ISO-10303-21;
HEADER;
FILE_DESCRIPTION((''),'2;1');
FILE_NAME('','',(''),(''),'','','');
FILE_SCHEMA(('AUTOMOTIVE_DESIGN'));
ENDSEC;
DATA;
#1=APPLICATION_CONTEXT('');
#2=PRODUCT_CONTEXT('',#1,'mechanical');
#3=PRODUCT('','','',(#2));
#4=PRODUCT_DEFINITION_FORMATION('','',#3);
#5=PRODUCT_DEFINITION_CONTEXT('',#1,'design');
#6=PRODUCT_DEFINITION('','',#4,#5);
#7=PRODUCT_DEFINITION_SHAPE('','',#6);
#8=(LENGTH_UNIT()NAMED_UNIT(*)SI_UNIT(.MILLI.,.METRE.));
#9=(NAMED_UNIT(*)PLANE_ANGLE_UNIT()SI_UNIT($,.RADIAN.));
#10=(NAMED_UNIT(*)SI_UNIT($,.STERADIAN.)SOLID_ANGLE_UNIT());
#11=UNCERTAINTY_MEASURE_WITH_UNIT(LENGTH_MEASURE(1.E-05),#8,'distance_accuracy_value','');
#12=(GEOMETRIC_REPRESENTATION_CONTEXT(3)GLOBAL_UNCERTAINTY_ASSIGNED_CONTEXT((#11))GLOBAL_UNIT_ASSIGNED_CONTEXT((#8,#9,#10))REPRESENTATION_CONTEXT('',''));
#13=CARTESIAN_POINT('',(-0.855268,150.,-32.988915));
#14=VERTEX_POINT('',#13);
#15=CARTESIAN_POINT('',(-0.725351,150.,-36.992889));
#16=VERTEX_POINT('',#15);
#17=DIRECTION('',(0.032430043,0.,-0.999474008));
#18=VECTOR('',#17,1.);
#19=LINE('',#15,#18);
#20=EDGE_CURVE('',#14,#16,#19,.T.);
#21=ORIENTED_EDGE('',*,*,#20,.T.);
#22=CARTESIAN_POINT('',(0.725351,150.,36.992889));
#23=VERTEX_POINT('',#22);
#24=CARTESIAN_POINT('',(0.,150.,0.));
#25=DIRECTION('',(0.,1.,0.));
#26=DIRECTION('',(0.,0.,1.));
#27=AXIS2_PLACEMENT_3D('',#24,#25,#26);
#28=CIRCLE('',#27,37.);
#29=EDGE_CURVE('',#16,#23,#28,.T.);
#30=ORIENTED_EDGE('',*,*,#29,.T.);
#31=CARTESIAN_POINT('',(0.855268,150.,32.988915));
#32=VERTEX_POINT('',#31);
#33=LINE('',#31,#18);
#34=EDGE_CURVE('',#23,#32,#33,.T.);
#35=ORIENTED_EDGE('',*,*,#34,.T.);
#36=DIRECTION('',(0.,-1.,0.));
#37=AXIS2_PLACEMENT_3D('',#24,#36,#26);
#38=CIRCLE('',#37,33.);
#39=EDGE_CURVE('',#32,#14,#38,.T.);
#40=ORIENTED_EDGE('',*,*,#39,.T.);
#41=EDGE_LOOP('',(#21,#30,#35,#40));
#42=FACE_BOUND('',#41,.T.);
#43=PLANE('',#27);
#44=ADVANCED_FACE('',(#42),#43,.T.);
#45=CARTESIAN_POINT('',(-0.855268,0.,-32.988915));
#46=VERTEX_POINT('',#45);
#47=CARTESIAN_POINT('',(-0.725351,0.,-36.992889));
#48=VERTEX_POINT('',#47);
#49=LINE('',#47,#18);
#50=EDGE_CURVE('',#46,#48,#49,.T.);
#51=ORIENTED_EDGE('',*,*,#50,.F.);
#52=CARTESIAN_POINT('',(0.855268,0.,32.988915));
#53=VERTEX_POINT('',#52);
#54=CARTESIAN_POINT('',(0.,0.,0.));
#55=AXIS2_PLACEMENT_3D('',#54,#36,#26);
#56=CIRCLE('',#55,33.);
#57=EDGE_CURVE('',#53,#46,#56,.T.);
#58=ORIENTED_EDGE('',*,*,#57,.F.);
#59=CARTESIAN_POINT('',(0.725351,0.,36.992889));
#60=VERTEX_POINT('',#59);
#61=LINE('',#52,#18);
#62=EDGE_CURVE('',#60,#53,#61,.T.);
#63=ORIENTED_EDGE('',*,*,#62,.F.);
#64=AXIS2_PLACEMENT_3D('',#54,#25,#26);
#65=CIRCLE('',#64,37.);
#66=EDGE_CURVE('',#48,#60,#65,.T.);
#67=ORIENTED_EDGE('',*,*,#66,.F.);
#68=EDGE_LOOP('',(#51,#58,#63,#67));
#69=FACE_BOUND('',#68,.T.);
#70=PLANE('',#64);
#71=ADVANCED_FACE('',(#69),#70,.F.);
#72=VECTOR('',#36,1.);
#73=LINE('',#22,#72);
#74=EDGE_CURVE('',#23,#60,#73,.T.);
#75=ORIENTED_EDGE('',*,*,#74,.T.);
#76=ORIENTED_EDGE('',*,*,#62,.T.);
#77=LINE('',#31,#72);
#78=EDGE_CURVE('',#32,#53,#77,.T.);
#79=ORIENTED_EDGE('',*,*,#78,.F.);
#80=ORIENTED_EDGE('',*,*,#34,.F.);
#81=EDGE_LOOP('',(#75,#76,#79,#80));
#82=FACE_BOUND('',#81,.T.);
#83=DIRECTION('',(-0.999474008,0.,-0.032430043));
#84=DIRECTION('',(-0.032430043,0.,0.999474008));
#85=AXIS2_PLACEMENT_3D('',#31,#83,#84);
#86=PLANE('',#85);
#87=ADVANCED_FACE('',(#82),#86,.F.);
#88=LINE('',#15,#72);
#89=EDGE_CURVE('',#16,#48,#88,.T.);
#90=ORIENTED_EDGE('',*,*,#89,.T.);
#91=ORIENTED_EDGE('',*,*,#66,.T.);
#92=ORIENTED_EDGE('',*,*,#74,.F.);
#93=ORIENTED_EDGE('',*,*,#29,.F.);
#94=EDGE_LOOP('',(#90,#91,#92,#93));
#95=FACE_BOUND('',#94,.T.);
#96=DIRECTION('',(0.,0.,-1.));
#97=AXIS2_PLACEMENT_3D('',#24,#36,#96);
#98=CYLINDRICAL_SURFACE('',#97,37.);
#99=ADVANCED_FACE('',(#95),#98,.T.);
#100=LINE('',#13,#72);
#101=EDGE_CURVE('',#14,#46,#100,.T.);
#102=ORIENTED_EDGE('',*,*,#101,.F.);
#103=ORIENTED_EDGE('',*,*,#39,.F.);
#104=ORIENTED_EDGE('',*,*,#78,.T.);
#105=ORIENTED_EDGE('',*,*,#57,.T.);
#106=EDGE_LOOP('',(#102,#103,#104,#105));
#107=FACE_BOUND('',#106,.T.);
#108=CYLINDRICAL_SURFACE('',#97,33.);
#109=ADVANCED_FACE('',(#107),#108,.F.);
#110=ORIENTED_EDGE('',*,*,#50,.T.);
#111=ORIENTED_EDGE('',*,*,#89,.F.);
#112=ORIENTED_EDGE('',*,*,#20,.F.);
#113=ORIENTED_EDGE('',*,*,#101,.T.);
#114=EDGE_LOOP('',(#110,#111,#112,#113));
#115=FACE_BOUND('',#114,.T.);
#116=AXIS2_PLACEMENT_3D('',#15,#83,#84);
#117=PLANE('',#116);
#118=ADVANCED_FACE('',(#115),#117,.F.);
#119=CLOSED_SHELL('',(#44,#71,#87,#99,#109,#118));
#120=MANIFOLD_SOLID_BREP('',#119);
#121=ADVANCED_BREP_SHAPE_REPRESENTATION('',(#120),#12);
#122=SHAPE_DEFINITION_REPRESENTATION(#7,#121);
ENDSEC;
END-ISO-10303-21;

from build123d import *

# Parameters (mm, degrees)
BOSS_EXTRUDE1_DEPTH = 150


with BuildPart() as part:
    # Sketch1 → Boss-Extrude1 (new body)
    with BuildSketch(Plane(origin=(0, 0, 0), x_dir=(1, 0, 0), z_dir=(0, 1, 0))):
        with BuildLine():
            Line((-0.725350773, 36.992889401), (-0.855268168, 32.988915053))
            ThreePointArc((-0.855268168, 32.988915053), (-32.988915053, -0.855268168), (0.855268168, -32.988915053))
            Line((0.855268168, -32.988915053), (0.725350773, -36.992889401))
            ThreePointArc((0.725350773, -36.992889401), (-36.992889401, -0.725350773), (-0.725350773, 36.992889401))
        make_face()
    extrude(amount=BOSS_EXTRUDE1_DEPTH)


solid = part.part
